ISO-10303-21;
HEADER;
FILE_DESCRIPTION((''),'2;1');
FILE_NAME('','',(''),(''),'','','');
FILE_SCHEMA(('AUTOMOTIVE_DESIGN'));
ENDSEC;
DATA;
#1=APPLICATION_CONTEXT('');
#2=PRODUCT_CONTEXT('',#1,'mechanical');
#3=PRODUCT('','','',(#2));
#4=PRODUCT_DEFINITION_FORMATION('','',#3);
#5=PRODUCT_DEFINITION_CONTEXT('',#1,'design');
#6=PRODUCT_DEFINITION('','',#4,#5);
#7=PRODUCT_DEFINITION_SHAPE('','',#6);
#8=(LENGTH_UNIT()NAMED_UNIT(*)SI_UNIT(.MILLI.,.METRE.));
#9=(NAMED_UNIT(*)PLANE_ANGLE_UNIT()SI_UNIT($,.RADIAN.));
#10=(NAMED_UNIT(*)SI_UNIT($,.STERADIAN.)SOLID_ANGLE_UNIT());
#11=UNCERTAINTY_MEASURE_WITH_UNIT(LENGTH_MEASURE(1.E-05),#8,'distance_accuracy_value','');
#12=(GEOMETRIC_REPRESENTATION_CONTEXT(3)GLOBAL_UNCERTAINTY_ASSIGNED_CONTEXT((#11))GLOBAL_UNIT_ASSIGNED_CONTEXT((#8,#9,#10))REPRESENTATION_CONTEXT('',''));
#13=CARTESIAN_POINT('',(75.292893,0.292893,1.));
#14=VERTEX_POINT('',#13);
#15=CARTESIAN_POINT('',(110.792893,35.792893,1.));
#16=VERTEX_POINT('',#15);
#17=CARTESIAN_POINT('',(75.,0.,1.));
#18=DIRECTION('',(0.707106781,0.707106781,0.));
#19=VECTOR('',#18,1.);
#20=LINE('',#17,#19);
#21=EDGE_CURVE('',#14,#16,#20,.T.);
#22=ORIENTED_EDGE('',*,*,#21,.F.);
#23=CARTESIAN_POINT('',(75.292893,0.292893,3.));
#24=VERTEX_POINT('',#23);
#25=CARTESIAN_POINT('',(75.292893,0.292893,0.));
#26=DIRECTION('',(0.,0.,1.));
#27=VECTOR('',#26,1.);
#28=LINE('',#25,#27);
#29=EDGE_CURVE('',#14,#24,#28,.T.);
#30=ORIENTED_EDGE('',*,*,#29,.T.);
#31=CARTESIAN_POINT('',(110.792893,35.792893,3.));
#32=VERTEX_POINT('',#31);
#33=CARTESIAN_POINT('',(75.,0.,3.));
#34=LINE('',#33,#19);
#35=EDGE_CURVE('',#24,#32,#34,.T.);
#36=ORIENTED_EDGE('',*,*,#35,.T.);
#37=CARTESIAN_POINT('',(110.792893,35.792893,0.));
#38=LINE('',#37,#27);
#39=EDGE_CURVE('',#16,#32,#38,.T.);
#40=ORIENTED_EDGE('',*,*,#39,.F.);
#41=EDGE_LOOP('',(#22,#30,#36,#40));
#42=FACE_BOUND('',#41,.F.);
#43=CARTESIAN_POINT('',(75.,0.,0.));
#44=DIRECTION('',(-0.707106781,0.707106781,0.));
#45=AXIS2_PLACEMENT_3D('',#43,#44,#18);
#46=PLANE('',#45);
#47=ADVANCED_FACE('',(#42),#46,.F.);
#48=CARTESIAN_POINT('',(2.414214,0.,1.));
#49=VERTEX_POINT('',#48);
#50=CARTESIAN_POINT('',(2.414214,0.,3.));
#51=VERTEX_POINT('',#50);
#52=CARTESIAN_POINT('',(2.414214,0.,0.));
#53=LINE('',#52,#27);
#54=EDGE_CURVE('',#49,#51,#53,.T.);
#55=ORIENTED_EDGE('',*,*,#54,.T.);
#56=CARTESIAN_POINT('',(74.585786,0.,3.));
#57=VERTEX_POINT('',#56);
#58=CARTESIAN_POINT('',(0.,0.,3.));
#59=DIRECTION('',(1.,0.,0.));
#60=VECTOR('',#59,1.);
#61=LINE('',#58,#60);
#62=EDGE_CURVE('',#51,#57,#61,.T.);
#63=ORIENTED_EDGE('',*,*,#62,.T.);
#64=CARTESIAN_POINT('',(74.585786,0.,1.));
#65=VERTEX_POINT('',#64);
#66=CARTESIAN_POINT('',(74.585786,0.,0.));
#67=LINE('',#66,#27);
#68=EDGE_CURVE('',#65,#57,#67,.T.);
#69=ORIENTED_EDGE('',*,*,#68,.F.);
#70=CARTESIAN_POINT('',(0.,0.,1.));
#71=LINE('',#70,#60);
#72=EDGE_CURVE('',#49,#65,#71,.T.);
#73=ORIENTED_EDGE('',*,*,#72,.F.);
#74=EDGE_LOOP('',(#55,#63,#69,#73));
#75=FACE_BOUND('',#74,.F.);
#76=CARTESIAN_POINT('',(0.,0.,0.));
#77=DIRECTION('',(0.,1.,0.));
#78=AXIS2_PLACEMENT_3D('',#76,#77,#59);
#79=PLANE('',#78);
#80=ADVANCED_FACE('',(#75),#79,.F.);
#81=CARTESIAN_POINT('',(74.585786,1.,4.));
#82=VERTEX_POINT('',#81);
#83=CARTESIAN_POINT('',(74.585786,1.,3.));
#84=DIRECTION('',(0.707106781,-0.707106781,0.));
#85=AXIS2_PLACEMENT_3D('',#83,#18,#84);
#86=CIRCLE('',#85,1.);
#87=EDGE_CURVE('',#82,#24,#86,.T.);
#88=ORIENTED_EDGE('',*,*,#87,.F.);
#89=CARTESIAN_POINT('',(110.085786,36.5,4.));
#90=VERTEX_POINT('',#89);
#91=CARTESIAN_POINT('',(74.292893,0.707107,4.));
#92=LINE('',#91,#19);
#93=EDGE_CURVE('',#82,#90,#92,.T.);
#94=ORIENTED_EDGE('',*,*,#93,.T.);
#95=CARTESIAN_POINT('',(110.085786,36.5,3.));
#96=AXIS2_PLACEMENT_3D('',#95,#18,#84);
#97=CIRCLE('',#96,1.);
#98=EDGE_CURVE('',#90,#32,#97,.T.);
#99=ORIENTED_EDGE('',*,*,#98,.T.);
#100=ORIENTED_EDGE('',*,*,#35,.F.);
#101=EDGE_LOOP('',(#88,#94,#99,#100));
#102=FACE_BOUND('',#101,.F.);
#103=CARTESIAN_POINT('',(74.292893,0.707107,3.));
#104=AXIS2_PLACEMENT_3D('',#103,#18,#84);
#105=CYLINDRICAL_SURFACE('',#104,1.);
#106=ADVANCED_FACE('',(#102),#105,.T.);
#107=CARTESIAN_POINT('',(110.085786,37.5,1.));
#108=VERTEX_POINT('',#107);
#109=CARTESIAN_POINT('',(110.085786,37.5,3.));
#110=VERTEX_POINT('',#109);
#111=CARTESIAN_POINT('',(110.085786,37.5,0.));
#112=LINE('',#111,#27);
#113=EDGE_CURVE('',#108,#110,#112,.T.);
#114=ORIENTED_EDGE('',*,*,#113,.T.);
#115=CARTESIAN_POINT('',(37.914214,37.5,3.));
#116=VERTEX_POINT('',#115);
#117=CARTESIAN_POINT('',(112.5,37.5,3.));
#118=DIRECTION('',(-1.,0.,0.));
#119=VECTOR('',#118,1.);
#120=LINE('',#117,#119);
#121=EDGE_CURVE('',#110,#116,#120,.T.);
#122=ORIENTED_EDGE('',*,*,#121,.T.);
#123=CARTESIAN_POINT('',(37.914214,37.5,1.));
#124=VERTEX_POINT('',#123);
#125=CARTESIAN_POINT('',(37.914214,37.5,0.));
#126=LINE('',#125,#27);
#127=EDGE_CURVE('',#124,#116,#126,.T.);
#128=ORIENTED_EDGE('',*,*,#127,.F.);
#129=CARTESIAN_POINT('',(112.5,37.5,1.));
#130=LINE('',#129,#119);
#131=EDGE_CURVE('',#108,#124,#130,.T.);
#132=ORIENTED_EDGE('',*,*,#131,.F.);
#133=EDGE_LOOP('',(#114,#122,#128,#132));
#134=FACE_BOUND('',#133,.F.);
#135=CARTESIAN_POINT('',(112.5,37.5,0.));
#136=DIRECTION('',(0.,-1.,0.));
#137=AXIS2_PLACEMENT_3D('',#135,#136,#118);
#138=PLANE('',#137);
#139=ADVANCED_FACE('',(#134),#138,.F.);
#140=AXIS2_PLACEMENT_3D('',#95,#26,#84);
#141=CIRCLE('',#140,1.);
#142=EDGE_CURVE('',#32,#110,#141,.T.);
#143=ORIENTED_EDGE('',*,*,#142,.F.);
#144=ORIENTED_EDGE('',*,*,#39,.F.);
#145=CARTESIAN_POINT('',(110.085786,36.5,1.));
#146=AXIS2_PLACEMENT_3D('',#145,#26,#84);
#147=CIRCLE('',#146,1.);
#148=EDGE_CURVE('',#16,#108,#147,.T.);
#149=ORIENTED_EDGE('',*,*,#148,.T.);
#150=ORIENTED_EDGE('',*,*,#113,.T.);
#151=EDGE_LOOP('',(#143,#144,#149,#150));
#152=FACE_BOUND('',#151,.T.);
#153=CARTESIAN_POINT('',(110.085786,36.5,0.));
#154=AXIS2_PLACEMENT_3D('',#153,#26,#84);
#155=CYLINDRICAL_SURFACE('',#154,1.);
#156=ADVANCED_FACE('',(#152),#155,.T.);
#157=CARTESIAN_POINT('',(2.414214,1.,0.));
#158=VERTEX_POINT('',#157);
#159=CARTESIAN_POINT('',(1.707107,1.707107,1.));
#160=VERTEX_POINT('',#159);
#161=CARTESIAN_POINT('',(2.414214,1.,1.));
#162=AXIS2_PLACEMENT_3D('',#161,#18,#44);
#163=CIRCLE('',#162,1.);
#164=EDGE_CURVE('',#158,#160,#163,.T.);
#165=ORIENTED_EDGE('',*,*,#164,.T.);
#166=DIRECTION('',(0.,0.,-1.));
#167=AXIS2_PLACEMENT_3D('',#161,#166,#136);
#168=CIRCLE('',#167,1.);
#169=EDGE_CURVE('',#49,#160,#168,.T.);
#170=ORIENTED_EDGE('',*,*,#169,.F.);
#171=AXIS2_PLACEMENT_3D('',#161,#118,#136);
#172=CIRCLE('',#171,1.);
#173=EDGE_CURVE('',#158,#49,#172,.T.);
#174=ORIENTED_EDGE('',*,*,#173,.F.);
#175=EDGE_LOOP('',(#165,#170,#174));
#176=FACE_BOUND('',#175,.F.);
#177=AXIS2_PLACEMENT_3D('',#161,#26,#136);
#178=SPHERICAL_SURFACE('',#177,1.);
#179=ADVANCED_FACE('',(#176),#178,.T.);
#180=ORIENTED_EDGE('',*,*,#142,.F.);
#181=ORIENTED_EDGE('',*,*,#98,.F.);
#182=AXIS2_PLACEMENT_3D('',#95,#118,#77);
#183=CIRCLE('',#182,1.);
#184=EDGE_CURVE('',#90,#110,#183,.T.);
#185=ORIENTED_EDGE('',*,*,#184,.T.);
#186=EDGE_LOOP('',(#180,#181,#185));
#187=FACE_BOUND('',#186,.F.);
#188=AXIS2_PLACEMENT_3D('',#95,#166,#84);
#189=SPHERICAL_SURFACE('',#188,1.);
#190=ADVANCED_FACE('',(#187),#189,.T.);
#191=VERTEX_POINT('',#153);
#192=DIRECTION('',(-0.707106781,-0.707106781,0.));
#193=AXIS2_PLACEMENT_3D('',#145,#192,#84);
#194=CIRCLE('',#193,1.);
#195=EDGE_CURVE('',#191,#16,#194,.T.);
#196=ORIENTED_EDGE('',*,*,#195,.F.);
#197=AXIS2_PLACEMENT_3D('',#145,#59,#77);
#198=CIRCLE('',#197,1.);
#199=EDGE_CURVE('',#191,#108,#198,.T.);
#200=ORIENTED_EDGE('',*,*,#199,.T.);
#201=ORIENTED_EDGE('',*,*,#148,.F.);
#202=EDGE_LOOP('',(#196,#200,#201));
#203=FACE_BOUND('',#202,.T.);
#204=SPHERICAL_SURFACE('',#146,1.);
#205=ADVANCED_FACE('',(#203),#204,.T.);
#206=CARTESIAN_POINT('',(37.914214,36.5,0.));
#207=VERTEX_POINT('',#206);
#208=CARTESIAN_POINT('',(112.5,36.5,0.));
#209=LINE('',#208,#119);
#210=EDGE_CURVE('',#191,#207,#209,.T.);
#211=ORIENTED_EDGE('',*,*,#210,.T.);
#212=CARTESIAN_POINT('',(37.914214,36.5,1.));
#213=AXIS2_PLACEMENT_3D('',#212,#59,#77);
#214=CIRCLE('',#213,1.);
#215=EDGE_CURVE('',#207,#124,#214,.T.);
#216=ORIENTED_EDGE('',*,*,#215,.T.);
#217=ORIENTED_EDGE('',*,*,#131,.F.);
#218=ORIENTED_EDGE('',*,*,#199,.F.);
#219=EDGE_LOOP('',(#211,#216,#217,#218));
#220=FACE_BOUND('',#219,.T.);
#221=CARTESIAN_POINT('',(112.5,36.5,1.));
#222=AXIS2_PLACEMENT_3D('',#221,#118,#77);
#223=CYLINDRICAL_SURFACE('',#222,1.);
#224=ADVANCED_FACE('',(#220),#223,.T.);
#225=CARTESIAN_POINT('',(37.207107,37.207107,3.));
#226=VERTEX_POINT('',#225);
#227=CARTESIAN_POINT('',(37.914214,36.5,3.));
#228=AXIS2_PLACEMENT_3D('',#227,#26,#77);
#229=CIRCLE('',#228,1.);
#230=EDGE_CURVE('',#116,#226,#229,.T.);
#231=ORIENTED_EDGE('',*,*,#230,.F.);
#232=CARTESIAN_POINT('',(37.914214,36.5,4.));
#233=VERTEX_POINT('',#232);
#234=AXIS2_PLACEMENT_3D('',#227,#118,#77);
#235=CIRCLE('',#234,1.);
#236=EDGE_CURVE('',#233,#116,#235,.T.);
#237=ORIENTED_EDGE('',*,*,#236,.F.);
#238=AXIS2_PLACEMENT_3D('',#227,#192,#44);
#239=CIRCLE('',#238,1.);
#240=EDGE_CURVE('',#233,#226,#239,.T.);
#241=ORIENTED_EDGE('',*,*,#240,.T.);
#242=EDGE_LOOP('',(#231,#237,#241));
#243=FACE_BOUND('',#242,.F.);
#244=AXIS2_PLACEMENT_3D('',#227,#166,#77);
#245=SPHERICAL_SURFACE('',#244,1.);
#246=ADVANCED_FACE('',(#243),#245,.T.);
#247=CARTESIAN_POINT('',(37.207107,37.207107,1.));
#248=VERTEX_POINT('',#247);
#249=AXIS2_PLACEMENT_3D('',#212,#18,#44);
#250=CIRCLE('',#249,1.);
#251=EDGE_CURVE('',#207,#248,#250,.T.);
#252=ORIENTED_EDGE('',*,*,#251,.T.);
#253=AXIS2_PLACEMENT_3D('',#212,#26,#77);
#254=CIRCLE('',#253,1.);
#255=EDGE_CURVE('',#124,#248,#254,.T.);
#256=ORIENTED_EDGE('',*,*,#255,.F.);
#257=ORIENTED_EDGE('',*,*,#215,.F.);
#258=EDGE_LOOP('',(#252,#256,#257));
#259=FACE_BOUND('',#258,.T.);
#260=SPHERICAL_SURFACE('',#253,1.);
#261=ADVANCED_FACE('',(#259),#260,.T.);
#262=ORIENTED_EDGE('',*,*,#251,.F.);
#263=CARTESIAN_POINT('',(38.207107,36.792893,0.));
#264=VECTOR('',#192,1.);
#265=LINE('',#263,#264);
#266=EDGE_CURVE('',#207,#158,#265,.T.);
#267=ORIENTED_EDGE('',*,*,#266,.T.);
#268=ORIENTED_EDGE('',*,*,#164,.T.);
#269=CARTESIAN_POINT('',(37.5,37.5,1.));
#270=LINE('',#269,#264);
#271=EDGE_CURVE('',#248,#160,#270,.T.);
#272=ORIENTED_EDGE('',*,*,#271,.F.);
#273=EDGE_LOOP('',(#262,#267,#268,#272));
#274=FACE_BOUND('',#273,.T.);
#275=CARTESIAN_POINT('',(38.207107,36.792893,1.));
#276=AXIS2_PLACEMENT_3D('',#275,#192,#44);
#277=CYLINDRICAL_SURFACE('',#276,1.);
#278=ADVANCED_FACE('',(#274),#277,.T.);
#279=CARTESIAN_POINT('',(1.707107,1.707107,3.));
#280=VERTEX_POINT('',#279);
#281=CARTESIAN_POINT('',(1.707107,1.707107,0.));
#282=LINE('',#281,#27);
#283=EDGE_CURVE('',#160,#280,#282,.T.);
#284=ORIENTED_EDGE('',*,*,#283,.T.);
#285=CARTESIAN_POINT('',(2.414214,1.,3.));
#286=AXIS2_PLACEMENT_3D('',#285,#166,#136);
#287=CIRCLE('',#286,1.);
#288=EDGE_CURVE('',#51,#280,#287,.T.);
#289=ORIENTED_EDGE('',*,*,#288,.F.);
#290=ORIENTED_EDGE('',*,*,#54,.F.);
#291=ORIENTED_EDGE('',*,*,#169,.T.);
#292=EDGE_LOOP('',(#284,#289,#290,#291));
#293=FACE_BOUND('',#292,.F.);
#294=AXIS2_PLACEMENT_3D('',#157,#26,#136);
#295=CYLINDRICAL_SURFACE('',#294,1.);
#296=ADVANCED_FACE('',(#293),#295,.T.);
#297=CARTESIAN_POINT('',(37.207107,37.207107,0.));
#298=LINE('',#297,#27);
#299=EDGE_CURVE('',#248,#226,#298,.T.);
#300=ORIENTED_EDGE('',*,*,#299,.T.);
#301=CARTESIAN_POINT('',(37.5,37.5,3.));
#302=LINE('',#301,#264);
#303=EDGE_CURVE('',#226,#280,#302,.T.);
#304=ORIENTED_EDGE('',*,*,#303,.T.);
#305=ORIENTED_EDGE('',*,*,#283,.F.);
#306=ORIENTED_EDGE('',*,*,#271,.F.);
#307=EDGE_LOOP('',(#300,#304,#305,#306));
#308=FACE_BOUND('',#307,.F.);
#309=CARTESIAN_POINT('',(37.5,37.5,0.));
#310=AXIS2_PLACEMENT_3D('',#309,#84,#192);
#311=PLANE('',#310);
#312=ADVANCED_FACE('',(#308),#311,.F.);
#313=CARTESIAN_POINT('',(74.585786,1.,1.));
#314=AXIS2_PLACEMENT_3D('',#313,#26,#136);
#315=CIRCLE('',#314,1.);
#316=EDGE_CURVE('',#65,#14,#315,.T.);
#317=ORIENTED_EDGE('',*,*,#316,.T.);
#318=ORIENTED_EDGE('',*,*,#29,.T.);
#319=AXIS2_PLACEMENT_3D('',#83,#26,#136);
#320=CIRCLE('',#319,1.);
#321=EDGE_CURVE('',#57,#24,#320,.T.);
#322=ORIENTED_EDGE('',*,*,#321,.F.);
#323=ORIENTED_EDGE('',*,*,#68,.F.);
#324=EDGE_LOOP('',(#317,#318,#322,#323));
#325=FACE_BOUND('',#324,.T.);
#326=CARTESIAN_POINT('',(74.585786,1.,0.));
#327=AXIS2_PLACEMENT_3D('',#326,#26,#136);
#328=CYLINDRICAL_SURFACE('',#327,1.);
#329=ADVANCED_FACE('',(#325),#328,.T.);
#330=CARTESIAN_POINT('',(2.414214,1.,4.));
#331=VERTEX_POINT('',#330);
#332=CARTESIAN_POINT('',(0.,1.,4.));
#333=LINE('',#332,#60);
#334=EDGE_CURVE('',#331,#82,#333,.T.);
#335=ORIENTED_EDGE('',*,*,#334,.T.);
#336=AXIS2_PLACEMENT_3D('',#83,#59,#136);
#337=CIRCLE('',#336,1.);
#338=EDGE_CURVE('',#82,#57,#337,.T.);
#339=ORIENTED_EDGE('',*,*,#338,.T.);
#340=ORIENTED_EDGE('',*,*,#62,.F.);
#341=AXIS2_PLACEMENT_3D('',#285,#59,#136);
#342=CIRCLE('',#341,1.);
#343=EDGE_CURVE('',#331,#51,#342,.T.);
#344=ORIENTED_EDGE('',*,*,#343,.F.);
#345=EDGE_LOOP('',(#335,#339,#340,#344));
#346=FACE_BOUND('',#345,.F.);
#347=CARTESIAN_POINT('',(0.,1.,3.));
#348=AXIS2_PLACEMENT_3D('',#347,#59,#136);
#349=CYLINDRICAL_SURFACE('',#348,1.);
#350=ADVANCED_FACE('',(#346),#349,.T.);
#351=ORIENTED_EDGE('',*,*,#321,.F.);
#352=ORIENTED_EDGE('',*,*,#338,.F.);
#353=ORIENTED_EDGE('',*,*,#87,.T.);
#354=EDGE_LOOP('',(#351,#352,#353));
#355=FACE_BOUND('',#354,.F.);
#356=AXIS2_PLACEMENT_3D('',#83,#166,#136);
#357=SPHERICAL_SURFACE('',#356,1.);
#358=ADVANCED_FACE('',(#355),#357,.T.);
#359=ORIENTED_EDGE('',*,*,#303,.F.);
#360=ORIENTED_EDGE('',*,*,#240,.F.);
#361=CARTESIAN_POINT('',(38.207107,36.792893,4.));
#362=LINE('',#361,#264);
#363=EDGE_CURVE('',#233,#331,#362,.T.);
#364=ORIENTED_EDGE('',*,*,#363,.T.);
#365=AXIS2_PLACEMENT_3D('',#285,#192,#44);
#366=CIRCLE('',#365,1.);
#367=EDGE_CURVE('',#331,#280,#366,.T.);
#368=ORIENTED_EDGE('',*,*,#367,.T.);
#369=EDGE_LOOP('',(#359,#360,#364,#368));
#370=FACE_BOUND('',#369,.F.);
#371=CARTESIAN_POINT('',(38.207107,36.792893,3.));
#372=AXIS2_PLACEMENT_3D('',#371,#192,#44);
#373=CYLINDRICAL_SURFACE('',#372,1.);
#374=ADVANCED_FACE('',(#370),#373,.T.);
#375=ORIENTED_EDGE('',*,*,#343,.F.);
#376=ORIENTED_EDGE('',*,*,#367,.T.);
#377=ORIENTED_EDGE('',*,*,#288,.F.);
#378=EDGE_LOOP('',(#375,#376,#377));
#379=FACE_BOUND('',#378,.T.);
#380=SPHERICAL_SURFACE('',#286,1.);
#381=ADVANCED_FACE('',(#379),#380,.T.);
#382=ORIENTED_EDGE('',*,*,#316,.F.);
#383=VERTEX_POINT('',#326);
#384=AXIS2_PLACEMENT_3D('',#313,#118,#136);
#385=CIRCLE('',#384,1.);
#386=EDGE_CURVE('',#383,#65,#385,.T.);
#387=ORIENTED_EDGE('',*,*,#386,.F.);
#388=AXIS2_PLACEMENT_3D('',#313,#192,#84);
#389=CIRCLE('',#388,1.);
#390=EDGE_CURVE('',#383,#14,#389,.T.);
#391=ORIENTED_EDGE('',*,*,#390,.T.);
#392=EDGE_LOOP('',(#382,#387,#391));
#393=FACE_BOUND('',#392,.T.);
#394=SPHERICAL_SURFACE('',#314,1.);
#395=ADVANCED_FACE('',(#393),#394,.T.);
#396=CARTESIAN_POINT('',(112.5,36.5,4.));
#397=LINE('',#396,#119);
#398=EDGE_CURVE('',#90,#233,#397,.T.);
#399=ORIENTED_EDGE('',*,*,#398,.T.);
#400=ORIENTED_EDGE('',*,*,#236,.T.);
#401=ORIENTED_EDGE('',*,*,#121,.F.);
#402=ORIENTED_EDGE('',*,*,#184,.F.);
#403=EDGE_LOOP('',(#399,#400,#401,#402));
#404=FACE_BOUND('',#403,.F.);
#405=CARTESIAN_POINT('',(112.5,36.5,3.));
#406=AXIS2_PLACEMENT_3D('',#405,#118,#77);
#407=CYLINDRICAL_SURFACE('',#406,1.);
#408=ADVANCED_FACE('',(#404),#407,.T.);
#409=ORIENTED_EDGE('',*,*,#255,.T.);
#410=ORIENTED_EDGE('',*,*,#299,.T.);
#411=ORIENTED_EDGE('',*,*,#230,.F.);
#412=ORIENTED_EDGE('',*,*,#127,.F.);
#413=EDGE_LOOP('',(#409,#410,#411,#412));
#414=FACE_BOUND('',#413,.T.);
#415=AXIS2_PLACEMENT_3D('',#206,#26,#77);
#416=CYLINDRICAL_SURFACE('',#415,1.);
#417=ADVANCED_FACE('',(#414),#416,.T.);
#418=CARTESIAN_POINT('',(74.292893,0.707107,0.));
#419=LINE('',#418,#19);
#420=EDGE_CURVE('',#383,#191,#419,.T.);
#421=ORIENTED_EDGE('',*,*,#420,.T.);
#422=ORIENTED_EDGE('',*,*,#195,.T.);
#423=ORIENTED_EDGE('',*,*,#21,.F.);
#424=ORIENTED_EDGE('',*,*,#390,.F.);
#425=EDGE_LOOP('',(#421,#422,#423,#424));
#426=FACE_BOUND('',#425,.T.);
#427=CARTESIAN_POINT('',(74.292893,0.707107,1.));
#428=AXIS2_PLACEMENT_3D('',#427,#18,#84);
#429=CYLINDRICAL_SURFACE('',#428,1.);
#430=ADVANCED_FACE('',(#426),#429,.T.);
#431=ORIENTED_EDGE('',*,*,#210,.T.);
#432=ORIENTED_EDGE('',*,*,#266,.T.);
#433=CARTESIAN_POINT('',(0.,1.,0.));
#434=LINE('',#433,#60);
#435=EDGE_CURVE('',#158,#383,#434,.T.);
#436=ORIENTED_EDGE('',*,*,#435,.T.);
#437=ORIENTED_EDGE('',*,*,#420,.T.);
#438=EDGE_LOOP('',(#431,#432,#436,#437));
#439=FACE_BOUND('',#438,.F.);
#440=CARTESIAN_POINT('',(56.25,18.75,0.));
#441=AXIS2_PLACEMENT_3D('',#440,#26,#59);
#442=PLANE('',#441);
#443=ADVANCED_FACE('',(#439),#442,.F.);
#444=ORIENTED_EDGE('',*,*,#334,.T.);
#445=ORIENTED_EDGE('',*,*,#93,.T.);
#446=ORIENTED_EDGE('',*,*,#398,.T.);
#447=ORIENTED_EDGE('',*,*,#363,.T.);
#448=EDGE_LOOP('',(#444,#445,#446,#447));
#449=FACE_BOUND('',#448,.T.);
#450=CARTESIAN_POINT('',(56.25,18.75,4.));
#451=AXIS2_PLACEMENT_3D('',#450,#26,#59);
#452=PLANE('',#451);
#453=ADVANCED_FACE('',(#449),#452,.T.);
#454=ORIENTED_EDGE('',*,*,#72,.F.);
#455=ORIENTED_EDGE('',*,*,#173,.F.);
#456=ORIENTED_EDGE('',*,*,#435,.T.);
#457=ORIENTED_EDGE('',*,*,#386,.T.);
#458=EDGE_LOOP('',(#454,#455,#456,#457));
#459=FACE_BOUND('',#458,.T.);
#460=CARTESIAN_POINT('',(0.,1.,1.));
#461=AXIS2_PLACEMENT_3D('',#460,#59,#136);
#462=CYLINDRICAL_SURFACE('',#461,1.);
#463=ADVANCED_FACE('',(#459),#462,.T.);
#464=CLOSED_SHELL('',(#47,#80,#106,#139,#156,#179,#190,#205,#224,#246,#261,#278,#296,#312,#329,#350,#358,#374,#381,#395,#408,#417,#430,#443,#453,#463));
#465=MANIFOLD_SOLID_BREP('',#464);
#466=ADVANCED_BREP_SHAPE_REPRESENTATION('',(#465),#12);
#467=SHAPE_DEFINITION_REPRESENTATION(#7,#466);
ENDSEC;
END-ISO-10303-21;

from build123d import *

# Parameters (mm, degrees)
PAD_DEPTH = 4
FILLET_R  = 1


with BuildPart() as part:
    # Sketch → Pad (new body)
    with BuildSketch(Plane.XY):
        Polygon((0, 0), (75, 0), (112.5, 37.5), (37.5, 37.5), align=None)
    extrude(amount=PAD_DEPTH)

    # Fillet
    fillet_edges = [part.edges().sort_by_distance(p)[0] for p in [
        (0, 0, 2),
        (75, 0, 2),
        (37.5, 0, 0),
        (37.5, 0, 4),
        (112.5, 37.5, 2),
        (93.75, 18.75, 0),
        (93.75, 18.75, 4),
        (37.5, 37.5, 2),
        (75, 37.5, 0),
        (75, 37.5, 4),
        (18.75, 18.75, 0),
        (18.75, 18.75, 4),
    ]]
    fillet(fillet_edges, radius=FILLET_R)


solid = part.part
